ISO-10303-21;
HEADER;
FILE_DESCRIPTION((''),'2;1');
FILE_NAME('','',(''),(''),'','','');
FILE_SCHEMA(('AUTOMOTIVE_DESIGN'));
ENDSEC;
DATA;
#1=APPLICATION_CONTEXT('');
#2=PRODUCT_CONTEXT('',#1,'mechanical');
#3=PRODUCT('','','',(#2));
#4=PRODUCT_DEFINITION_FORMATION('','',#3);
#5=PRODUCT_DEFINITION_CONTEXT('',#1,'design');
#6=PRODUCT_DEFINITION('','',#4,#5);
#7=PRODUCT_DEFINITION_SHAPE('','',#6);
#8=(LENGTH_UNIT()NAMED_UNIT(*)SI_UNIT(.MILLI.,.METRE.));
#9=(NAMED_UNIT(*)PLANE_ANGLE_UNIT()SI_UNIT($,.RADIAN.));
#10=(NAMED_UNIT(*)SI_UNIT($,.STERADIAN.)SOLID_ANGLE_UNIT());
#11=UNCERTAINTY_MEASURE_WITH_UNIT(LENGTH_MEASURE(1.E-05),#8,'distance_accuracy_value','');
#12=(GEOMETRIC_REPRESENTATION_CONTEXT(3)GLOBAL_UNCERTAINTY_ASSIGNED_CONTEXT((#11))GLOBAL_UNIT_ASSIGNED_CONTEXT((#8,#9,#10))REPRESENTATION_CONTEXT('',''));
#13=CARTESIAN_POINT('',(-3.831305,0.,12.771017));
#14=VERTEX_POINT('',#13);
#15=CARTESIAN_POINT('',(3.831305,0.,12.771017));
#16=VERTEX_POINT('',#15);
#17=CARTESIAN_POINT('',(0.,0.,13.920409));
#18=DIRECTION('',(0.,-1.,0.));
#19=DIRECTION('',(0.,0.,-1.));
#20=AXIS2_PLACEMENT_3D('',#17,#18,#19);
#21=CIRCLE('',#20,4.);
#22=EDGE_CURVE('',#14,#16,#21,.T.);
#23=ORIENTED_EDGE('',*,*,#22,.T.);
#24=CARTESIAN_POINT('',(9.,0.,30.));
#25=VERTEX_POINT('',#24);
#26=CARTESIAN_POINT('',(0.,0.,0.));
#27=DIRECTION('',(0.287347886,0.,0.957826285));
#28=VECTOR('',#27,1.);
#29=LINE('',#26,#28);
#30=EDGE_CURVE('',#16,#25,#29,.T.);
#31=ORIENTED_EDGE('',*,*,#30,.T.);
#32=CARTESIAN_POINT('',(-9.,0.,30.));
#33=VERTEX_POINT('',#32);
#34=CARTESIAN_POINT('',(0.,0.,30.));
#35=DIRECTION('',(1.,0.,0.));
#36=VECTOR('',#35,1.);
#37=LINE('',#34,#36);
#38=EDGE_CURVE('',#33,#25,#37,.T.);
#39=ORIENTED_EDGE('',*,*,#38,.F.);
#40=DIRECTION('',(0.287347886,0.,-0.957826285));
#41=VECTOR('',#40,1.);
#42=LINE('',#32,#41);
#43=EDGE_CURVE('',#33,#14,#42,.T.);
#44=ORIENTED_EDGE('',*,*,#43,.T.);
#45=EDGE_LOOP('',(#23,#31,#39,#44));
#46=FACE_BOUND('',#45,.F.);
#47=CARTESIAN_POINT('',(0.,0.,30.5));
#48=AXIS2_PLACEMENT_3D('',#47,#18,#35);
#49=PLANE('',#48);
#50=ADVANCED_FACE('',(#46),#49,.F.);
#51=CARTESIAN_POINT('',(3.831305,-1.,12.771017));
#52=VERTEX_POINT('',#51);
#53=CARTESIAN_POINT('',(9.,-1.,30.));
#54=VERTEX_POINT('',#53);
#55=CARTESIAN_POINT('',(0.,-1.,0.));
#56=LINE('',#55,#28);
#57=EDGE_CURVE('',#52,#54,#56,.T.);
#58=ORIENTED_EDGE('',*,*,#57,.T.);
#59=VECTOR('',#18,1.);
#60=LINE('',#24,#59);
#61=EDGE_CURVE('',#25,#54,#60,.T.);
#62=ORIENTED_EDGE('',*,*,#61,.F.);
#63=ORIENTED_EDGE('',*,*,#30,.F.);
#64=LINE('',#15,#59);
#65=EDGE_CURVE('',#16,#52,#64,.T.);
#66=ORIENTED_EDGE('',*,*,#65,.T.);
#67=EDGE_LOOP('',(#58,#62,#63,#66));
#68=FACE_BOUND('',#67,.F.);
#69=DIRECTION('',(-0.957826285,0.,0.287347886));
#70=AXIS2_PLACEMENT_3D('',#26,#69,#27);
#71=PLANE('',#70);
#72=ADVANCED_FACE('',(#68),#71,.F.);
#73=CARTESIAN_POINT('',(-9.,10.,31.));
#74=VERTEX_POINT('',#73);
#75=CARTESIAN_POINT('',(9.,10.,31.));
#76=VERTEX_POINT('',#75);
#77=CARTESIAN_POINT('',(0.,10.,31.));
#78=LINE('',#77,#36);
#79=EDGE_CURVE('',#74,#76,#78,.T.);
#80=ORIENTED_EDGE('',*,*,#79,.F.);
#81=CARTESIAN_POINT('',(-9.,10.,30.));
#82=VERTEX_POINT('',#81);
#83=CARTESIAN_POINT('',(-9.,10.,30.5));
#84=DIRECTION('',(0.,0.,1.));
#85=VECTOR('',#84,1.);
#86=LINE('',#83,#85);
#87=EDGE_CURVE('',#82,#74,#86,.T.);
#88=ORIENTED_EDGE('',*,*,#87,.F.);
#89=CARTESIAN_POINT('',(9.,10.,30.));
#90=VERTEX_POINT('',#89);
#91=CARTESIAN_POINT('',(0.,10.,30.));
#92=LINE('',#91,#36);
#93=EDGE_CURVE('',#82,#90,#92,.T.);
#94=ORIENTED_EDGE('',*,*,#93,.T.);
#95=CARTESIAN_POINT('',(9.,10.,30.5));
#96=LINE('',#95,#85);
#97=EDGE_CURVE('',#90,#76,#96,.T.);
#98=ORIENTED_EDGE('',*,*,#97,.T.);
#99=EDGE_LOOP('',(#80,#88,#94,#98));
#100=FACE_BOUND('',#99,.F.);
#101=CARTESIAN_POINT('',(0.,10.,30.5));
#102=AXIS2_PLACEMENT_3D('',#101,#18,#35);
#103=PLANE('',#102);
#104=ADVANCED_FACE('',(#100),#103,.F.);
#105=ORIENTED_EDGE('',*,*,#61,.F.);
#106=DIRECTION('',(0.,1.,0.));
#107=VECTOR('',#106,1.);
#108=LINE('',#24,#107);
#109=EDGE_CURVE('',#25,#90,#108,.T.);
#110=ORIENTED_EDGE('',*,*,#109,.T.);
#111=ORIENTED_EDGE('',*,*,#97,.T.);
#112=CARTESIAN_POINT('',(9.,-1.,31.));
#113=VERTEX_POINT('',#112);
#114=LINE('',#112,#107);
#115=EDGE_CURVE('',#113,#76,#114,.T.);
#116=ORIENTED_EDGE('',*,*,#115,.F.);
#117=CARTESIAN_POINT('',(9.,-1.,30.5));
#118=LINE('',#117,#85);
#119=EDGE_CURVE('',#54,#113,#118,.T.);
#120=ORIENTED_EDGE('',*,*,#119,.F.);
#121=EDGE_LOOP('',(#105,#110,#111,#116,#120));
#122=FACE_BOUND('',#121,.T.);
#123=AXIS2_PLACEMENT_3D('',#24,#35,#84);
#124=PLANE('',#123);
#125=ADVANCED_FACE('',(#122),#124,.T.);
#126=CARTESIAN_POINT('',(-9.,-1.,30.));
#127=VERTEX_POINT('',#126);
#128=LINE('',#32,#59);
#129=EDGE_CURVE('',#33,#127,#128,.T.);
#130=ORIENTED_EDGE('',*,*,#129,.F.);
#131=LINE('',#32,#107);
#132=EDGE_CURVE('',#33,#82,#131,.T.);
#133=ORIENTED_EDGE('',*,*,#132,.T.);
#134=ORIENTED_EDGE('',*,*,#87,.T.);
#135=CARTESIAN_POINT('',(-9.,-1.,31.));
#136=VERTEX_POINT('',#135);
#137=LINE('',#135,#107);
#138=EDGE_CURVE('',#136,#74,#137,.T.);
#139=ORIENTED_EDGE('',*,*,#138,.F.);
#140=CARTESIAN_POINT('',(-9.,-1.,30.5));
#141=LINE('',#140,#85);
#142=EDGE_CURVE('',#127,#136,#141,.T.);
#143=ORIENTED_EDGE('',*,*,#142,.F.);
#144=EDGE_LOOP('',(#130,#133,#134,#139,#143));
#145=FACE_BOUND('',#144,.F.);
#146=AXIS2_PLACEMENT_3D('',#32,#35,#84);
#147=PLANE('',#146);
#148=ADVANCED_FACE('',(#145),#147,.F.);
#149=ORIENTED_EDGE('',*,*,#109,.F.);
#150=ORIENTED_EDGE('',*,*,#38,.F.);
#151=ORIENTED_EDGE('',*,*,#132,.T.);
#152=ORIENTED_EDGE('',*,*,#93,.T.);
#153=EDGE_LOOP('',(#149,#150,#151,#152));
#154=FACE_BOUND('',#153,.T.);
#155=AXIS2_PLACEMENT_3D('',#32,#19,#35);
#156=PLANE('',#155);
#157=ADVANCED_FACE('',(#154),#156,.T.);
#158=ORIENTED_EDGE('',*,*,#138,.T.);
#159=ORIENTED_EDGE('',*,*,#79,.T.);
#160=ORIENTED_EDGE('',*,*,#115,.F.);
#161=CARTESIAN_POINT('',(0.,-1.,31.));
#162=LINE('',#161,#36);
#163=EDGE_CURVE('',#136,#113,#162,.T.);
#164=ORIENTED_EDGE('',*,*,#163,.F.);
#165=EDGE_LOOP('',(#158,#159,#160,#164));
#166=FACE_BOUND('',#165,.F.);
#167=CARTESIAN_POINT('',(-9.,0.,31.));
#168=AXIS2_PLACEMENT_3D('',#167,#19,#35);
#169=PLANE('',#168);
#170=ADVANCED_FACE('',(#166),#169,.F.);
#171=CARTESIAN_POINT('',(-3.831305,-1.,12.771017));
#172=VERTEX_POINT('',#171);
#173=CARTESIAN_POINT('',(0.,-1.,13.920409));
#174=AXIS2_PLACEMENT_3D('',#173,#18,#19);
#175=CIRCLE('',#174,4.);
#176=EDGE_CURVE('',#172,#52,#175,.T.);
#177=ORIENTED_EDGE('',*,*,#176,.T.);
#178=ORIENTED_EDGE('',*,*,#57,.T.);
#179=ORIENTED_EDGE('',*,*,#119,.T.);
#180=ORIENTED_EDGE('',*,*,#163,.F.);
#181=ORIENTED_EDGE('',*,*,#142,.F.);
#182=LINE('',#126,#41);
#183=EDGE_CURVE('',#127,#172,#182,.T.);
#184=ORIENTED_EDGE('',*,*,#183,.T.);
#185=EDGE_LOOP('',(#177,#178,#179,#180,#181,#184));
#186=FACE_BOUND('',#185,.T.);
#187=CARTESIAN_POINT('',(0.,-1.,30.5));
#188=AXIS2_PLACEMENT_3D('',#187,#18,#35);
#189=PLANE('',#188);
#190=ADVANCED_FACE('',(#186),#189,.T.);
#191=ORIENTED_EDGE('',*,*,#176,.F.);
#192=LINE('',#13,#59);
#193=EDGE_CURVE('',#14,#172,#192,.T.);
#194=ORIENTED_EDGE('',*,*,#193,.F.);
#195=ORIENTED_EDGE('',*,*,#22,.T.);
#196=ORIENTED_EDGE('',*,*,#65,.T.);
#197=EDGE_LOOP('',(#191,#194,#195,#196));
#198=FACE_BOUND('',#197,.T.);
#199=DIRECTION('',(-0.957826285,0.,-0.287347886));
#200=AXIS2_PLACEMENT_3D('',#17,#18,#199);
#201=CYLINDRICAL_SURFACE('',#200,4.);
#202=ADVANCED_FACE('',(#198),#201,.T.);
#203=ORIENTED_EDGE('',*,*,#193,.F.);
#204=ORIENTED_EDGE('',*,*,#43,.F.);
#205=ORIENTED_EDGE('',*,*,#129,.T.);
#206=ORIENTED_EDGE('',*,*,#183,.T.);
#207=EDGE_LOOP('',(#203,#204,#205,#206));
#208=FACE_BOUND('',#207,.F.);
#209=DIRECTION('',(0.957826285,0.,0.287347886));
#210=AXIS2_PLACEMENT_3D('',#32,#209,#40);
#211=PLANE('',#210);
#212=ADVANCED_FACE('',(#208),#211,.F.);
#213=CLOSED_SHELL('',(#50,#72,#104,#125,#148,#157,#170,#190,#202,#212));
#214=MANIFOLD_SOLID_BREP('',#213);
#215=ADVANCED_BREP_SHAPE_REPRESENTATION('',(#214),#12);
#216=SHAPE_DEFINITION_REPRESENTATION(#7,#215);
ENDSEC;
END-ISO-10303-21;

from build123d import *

# Parameters (mm, degrees)
F2_DEPTH      = 1
F3_R          = 4
F4_W          = 18
F4_H          = 1
F5_DEPTH      = 1
F5_DEPTH_BACK = 10


with BuildPart() as f2:
    # F1 (on Front) → F2 (new body)
    with BuildSketch(Plane.XZ):
        Polygon((9, 30), (-9, 30), (0, 0), align=None)
    extrude(amount=F2_DEPTH)

    # F3
    f3_edges = [f2.edges().sort_by_distance(p)[0] for p in [
        (0, -0.5, 0),
    ]]
    fillet(f3_edges, radius=F3_R)

    # F4 (on face) → F5 (join, two sides)
    with BuildSketch(Plane.XZ) as f5_sk:
        with Locations((0, 30.5)):
            Rectangle(F4_W, F4_H)
    extrude(amount=F5_DEPTH)
    extrude(f5_sk.sketch, amount=-F5_DEPTH_BACK)


solid = f2.part
